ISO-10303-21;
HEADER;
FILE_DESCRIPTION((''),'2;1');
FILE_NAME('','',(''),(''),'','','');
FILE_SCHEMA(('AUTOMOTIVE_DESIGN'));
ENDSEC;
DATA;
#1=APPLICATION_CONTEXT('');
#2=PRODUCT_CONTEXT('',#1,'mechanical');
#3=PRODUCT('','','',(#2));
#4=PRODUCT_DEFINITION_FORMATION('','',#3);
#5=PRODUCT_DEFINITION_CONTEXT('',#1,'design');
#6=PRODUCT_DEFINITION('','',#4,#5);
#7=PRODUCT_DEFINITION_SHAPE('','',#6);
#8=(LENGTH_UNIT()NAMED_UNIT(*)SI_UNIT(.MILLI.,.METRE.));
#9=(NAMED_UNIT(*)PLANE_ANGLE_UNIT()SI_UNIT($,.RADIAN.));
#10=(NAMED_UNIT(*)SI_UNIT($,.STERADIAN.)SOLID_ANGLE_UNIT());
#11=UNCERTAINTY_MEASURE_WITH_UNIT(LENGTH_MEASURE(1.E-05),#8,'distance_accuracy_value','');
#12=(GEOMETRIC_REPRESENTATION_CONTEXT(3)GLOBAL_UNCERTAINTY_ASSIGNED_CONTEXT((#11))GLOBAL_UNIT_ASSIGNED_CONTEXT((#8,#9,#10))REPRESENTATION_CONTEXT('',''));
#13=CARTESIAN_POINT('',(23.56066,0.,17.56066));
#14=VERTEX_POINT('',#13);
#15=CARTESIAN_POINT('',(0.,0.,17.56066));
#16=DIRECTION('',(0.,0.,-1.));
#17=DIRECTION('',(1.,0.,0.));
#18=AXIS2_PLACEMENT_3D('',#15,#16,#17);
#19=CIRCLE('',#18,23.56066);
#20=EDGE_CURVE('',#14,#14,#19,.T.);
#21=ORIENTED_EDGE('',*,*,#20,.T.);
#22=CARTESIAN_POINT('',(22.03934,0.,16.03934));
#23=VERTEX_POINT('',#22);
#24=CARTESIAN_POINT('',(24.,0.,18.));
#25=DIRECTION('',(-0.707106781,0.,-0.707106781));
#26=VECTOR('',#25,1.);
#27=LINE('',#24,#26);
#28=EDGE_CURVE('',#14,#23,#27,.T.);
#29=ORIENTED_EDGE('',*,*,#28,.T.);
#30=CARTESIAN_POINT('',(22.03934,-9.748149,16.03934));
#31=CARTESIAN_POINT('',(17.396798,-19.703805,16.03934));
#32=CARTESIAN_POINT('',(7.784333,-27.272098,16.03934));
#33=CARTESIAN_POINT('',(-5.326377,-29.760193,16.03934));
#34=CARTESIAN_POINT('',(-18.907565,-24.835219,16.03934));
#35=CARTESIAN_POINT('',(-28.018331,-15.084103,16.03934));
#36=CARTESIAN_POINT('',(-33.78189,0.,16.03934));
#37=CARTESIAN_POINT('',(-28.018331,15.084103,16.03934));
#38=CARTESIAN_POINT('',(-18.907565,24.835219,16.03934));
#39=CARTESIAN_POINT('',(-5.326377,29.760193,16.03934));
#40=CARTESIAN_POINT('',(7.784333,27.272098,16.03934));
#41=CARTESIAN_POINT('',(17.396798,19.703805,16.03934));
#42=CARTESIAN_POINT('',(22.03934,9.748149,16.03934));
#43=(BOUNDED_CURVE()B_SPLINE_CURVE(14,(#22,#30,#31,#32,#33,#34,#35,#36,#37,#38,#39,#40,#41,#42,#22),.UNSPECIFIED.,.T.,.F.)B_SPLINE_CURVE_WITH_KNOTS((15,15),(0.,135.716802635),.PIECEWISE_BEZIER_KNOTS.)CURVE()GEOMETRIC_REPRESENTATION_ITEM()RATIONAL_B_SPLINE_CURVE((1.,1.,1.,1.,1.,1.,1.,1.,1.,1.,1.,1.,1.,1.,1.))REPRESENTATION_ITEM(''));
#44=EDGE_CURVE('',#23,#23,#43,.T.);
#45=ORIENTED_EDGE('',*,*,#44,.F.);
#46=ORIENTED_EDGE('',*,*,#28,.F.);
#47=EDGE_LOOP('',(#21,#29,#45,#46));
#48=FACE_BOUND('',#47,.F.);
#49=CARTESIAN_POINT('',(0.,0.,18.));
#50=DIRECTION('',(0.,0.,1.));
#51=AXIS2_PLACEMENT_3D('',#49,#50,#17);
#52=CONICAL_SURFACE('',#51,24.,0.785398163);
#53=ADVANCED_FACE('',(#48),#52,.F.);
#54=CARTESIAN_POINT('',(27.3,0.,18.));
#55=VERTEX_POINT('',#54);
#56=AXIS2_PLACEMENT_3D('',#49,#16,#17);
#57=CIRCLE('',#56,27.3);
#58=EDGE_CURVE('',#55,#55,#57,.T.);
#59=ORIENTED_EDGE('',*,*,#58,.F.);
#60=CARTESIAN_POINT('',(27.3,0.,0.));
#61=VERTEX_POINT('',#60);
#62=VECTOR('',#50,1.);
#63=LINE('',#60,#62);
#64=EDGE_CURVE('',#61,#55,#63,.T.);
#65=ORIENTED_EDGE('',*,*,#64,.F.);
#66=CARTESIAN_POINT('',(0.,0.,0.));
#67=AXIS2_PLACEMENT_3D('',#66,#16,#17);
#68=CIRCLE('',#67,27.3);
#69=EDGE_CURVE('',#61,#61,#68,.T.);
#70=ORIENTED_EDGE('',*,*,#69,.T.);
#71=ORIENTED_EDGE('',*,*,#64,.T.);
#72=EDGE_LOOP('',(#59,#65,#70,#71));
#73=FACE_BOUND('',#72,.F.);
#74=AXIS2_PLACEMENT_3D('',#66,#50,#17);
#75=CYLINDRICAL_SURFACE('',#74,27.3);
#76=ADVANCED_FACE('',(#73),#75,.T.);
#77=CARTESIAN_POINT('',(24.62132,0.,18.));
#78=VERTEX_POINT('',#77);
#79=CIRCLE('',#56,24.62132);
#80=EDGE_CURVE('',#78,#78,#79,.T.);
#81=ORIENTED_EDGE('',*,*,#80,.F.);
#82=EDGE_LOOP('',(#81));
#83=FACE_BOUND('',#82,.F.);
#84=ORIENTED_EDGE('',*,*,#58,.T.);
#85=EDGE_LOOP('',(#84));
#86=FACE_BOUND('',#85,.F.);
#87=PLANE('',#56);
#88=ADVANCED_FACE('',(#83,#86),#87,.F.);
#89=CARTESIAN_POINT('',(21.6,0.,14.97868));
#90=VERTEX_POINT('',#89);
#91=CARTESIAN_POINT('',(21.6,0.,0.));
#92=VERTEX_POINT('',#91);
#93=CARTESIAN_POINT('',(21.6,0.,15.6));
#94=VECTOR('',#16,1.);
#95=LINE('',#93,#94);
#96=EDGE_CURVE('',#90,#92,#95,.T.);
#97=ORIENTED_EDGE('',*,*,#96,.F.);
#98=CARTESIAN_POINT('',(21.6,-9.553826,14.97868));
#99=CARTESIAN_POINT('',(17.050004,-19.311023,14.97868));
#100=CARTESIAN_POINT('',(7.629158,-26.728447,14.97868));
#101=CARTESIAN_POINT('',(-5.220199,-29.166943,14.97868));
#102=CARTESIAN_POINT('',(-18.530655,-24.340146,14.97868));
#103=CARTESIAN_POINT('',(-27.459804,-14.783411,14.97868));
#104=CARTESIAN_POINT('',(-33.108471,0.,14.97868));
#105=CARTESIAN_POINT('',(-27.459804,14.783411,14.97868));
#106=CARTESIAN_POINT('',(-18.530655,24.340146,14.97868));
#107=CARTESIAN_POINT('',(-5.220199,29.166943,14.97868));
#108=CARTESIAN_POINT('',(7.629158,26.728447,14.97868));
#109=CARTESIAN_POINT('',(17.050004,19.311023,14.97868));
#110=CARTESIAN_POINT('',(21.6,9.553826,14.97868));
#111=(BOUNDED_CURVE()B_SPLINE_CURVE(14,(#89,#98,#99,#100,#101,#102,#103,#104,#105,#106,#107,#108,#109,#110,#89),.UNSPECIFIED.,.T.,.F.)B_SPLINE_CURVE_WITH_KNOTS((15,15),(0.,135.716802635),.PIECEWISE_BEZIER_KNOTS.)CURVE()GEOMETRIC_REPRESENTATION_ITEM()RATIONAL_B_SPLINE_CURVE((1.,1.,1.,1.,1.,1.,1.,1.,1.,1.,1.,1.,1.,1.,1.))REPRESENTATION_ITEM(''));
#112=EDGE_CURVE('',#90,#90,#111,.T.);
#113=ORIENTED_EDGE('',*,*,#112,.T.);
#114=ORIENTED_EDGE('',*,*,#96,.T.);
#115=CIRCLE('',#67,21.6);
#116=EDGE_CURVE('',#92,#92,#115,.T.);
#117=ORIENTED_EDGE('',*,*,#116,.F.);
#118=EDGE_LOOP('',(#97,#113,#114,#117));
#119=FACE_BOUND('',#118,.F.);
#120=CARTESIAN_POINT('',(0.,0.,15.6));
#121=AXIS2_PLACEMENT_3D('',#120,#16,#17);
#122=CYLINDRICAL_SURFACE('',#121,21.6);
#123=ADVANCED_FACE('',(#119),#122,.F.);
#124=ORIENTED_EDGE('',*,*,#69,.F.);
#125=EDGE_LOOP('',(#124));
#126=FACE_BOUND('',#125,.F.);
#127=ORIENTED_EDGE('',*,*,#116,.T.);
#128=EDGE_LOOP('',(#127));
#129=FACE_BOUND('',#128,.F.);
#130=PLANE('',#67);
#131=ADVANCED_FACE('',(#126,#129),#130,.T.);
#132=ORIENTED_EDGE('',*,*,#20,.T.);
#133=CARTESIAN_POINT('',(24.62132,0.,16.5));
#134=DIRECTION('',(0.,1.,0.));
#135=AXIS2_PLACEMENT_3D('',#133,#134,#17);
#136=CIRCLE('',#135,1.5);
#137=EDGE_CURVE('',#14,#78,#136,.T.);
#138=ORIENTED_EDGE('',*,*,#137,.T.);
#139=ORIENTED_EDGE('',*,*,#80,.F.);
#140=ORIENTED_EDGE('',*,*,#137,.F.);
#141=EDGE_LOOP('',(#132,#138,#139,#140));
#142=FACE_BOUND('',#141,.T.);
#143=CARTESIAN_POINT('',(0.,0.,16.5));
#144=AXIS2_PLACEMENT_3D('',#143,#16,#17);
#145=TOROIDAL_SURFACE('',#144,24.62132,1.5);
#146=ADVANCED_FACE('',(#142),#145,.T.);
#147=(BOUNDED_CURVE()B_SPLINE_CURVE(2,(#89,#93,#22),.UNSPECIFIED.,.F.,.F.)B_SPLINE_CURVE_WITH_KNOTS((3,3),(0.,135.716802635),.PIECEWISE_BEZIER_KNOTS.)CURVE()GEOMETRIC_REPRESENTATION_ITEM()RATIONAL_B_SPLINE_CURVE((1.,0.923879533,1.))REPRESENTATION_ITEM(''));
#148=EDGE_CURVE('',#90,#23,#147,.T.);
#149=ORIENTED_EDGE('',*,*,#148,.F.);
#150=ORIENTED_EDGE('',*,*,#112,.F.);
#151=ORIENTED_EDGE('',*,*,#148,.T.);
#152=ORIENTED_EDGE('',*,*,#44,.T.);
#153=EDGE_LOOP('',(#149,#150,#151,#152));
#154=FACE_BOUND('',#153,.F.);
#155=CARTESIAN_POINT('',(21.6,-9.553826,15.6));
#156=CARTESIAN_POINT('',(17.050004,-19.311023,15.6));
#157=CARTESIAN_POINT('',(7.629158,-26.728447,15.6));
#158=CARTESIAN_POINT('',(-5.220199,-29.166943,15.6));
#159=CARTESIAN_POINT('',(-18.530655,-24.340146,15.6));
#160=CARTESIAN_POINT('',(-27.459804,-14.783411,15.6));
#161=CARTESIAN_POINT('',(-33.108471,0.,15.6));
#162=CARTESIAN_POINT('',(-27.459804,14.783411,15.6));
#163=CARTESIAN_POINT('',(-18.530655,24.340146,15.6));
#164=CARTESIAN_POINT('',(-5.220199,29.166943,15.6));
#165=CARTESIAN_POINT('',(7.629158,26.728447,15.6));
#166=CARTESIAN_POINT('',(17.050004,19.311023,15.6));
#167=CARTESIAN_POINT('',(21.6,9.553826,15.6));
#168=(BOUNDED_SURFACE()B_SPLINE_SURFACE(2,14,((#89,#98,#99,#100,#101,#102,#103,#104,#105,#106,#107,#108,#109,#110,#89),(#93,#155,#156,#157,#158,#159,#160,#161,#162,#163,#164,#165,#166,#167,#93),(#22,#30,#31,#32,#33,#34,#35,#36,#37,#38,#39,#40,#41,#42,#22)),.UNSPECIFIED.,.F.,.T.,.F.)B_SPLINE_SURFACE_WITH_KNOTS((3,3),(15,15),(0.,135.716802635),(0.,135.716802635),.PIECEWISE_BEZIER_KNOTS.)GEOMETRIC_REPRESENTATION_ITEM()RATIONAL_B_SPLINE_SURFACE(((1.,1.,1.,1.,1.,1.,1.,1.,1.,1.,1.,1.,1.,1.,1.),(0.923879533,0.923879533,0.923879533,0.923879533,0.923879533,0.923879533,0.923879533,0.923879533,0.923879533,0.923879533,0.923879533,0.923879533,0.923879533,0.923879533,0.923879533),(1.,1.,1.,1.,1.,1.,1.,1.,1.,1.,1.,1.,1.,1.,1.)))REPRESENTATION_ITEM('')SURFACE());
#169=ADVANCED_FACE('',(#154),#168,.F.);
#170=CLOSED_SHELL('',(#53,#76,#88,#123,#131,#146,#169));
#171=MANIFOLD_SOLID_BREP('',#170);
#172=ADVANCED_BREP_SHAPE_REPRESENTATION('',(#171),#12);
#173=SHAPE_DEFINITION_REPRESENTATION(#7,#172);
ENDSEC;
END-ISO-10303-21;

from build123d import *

# Parameters (mm, degrees)
F2_R = 1.5
F3_R = 1.5


with BuildPart() as f1:
    # F0 (on Front) → F1 (revolve)
    with BuildSketch(Plane.XZ):
        Polygon((21.6, 15.6), (21.6, 0), (27.3, 0), (27.3, 18), (24, 18), align=None)
    revolve(axis=Axis((0, 0, 4.861747), (0, 0, -1)))

    # F2
    f2_edges = [f1.edges().sort_by_distance(p)[0] for p in [
        (-21.6, 0, 15.6),
    ]]
    fillet(f2_edges, radius=F2_R)

    # F3
    f3_edges = [f1.edges().sort_by_distance(p)[0] for p in [
        (-24, 0, 18),
    ]]
    fillet(f3_edges, radius=F3_R)


solid = f1.part
